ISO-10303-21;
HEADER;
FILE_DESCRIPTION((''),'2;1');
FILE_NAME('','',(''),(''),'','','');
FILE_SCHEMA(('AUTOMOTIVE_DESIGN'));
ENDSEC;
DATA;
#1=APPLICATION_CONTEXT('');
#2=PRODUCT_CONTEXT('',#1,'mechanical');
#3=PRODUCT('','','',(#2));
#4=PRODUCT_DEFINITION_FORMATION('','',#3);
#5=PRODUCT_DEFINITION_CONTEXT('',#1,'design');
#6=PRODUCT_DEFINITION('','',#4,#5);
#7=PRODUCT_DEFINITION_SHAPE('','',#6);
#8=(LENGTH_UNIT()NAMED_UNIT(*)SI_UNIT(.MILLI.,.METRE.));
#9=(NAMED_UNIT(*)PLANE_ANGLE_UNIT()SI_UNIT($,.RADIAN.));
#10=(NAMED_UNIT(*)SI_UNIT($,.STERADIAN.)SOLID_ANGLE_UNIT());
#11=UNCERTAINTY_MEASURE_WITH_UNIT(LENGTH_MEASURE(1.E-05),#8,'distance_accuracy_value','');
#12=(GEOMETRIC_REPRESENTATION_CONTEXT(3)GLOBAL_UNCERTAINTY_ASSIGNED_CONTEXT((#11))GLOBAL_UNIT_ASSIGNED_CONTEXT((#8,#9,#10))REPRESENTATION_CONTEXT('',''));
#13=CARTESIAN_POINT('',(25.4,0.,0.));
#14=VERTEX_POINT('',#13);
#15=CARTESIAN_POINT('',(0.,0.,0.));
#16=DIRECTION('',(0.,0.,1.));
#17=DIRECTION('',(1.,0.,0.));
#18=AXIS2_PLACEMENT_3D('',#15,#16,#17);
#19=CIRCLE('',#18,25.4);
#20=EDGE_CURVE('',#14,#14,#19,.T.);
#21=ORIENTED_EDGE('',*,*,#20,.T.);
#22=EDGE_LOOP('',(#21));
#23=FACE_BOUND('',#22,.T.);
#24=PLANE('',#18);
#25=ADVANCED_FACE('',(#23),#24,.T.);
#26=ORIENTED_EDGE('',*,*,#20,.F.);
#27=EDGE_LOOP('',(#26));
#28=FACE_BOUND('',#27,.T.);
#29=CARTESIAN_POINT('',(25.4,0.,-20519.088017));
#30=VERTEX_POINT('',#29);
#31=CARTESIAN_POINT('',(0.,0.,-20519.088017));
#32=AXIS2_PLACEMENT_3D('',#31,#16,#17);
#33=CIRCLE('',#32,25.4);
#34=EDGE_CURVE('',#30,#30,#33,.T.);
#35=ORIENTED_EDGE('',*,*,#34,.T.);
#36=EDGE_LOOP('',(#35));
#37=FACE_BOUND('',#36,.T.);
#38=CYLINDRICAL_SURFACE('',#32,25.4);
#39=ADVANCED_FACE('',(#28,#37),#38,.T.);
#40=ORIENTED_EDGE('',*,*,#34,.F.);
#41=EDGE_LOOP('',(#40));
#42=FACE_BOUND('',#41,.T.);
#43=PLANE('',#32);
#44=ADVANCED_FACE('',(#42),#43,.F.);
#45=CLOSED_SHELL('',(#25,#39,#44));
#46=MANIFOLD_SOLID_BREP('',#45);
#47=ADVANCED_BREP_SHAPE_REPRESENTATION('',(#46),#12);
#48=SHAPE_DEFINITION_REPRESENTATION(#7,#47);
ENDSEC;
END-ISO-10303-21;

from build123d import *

# Parameters (mm, degrees)
SKETCH1_R           = 25.4
BOSS_EXTRUDE1_DEPTH = 20519.088017446


with BuildPart() as part:
    # Sketch1 → Boss-Extrude1 (new body)
    with BuildSketch(Plane.XY):
        Circle(SKETCH1_R)
    extrude(amount=-BOSS_EXTRUDE1_DEPTH)


solid = part.part
